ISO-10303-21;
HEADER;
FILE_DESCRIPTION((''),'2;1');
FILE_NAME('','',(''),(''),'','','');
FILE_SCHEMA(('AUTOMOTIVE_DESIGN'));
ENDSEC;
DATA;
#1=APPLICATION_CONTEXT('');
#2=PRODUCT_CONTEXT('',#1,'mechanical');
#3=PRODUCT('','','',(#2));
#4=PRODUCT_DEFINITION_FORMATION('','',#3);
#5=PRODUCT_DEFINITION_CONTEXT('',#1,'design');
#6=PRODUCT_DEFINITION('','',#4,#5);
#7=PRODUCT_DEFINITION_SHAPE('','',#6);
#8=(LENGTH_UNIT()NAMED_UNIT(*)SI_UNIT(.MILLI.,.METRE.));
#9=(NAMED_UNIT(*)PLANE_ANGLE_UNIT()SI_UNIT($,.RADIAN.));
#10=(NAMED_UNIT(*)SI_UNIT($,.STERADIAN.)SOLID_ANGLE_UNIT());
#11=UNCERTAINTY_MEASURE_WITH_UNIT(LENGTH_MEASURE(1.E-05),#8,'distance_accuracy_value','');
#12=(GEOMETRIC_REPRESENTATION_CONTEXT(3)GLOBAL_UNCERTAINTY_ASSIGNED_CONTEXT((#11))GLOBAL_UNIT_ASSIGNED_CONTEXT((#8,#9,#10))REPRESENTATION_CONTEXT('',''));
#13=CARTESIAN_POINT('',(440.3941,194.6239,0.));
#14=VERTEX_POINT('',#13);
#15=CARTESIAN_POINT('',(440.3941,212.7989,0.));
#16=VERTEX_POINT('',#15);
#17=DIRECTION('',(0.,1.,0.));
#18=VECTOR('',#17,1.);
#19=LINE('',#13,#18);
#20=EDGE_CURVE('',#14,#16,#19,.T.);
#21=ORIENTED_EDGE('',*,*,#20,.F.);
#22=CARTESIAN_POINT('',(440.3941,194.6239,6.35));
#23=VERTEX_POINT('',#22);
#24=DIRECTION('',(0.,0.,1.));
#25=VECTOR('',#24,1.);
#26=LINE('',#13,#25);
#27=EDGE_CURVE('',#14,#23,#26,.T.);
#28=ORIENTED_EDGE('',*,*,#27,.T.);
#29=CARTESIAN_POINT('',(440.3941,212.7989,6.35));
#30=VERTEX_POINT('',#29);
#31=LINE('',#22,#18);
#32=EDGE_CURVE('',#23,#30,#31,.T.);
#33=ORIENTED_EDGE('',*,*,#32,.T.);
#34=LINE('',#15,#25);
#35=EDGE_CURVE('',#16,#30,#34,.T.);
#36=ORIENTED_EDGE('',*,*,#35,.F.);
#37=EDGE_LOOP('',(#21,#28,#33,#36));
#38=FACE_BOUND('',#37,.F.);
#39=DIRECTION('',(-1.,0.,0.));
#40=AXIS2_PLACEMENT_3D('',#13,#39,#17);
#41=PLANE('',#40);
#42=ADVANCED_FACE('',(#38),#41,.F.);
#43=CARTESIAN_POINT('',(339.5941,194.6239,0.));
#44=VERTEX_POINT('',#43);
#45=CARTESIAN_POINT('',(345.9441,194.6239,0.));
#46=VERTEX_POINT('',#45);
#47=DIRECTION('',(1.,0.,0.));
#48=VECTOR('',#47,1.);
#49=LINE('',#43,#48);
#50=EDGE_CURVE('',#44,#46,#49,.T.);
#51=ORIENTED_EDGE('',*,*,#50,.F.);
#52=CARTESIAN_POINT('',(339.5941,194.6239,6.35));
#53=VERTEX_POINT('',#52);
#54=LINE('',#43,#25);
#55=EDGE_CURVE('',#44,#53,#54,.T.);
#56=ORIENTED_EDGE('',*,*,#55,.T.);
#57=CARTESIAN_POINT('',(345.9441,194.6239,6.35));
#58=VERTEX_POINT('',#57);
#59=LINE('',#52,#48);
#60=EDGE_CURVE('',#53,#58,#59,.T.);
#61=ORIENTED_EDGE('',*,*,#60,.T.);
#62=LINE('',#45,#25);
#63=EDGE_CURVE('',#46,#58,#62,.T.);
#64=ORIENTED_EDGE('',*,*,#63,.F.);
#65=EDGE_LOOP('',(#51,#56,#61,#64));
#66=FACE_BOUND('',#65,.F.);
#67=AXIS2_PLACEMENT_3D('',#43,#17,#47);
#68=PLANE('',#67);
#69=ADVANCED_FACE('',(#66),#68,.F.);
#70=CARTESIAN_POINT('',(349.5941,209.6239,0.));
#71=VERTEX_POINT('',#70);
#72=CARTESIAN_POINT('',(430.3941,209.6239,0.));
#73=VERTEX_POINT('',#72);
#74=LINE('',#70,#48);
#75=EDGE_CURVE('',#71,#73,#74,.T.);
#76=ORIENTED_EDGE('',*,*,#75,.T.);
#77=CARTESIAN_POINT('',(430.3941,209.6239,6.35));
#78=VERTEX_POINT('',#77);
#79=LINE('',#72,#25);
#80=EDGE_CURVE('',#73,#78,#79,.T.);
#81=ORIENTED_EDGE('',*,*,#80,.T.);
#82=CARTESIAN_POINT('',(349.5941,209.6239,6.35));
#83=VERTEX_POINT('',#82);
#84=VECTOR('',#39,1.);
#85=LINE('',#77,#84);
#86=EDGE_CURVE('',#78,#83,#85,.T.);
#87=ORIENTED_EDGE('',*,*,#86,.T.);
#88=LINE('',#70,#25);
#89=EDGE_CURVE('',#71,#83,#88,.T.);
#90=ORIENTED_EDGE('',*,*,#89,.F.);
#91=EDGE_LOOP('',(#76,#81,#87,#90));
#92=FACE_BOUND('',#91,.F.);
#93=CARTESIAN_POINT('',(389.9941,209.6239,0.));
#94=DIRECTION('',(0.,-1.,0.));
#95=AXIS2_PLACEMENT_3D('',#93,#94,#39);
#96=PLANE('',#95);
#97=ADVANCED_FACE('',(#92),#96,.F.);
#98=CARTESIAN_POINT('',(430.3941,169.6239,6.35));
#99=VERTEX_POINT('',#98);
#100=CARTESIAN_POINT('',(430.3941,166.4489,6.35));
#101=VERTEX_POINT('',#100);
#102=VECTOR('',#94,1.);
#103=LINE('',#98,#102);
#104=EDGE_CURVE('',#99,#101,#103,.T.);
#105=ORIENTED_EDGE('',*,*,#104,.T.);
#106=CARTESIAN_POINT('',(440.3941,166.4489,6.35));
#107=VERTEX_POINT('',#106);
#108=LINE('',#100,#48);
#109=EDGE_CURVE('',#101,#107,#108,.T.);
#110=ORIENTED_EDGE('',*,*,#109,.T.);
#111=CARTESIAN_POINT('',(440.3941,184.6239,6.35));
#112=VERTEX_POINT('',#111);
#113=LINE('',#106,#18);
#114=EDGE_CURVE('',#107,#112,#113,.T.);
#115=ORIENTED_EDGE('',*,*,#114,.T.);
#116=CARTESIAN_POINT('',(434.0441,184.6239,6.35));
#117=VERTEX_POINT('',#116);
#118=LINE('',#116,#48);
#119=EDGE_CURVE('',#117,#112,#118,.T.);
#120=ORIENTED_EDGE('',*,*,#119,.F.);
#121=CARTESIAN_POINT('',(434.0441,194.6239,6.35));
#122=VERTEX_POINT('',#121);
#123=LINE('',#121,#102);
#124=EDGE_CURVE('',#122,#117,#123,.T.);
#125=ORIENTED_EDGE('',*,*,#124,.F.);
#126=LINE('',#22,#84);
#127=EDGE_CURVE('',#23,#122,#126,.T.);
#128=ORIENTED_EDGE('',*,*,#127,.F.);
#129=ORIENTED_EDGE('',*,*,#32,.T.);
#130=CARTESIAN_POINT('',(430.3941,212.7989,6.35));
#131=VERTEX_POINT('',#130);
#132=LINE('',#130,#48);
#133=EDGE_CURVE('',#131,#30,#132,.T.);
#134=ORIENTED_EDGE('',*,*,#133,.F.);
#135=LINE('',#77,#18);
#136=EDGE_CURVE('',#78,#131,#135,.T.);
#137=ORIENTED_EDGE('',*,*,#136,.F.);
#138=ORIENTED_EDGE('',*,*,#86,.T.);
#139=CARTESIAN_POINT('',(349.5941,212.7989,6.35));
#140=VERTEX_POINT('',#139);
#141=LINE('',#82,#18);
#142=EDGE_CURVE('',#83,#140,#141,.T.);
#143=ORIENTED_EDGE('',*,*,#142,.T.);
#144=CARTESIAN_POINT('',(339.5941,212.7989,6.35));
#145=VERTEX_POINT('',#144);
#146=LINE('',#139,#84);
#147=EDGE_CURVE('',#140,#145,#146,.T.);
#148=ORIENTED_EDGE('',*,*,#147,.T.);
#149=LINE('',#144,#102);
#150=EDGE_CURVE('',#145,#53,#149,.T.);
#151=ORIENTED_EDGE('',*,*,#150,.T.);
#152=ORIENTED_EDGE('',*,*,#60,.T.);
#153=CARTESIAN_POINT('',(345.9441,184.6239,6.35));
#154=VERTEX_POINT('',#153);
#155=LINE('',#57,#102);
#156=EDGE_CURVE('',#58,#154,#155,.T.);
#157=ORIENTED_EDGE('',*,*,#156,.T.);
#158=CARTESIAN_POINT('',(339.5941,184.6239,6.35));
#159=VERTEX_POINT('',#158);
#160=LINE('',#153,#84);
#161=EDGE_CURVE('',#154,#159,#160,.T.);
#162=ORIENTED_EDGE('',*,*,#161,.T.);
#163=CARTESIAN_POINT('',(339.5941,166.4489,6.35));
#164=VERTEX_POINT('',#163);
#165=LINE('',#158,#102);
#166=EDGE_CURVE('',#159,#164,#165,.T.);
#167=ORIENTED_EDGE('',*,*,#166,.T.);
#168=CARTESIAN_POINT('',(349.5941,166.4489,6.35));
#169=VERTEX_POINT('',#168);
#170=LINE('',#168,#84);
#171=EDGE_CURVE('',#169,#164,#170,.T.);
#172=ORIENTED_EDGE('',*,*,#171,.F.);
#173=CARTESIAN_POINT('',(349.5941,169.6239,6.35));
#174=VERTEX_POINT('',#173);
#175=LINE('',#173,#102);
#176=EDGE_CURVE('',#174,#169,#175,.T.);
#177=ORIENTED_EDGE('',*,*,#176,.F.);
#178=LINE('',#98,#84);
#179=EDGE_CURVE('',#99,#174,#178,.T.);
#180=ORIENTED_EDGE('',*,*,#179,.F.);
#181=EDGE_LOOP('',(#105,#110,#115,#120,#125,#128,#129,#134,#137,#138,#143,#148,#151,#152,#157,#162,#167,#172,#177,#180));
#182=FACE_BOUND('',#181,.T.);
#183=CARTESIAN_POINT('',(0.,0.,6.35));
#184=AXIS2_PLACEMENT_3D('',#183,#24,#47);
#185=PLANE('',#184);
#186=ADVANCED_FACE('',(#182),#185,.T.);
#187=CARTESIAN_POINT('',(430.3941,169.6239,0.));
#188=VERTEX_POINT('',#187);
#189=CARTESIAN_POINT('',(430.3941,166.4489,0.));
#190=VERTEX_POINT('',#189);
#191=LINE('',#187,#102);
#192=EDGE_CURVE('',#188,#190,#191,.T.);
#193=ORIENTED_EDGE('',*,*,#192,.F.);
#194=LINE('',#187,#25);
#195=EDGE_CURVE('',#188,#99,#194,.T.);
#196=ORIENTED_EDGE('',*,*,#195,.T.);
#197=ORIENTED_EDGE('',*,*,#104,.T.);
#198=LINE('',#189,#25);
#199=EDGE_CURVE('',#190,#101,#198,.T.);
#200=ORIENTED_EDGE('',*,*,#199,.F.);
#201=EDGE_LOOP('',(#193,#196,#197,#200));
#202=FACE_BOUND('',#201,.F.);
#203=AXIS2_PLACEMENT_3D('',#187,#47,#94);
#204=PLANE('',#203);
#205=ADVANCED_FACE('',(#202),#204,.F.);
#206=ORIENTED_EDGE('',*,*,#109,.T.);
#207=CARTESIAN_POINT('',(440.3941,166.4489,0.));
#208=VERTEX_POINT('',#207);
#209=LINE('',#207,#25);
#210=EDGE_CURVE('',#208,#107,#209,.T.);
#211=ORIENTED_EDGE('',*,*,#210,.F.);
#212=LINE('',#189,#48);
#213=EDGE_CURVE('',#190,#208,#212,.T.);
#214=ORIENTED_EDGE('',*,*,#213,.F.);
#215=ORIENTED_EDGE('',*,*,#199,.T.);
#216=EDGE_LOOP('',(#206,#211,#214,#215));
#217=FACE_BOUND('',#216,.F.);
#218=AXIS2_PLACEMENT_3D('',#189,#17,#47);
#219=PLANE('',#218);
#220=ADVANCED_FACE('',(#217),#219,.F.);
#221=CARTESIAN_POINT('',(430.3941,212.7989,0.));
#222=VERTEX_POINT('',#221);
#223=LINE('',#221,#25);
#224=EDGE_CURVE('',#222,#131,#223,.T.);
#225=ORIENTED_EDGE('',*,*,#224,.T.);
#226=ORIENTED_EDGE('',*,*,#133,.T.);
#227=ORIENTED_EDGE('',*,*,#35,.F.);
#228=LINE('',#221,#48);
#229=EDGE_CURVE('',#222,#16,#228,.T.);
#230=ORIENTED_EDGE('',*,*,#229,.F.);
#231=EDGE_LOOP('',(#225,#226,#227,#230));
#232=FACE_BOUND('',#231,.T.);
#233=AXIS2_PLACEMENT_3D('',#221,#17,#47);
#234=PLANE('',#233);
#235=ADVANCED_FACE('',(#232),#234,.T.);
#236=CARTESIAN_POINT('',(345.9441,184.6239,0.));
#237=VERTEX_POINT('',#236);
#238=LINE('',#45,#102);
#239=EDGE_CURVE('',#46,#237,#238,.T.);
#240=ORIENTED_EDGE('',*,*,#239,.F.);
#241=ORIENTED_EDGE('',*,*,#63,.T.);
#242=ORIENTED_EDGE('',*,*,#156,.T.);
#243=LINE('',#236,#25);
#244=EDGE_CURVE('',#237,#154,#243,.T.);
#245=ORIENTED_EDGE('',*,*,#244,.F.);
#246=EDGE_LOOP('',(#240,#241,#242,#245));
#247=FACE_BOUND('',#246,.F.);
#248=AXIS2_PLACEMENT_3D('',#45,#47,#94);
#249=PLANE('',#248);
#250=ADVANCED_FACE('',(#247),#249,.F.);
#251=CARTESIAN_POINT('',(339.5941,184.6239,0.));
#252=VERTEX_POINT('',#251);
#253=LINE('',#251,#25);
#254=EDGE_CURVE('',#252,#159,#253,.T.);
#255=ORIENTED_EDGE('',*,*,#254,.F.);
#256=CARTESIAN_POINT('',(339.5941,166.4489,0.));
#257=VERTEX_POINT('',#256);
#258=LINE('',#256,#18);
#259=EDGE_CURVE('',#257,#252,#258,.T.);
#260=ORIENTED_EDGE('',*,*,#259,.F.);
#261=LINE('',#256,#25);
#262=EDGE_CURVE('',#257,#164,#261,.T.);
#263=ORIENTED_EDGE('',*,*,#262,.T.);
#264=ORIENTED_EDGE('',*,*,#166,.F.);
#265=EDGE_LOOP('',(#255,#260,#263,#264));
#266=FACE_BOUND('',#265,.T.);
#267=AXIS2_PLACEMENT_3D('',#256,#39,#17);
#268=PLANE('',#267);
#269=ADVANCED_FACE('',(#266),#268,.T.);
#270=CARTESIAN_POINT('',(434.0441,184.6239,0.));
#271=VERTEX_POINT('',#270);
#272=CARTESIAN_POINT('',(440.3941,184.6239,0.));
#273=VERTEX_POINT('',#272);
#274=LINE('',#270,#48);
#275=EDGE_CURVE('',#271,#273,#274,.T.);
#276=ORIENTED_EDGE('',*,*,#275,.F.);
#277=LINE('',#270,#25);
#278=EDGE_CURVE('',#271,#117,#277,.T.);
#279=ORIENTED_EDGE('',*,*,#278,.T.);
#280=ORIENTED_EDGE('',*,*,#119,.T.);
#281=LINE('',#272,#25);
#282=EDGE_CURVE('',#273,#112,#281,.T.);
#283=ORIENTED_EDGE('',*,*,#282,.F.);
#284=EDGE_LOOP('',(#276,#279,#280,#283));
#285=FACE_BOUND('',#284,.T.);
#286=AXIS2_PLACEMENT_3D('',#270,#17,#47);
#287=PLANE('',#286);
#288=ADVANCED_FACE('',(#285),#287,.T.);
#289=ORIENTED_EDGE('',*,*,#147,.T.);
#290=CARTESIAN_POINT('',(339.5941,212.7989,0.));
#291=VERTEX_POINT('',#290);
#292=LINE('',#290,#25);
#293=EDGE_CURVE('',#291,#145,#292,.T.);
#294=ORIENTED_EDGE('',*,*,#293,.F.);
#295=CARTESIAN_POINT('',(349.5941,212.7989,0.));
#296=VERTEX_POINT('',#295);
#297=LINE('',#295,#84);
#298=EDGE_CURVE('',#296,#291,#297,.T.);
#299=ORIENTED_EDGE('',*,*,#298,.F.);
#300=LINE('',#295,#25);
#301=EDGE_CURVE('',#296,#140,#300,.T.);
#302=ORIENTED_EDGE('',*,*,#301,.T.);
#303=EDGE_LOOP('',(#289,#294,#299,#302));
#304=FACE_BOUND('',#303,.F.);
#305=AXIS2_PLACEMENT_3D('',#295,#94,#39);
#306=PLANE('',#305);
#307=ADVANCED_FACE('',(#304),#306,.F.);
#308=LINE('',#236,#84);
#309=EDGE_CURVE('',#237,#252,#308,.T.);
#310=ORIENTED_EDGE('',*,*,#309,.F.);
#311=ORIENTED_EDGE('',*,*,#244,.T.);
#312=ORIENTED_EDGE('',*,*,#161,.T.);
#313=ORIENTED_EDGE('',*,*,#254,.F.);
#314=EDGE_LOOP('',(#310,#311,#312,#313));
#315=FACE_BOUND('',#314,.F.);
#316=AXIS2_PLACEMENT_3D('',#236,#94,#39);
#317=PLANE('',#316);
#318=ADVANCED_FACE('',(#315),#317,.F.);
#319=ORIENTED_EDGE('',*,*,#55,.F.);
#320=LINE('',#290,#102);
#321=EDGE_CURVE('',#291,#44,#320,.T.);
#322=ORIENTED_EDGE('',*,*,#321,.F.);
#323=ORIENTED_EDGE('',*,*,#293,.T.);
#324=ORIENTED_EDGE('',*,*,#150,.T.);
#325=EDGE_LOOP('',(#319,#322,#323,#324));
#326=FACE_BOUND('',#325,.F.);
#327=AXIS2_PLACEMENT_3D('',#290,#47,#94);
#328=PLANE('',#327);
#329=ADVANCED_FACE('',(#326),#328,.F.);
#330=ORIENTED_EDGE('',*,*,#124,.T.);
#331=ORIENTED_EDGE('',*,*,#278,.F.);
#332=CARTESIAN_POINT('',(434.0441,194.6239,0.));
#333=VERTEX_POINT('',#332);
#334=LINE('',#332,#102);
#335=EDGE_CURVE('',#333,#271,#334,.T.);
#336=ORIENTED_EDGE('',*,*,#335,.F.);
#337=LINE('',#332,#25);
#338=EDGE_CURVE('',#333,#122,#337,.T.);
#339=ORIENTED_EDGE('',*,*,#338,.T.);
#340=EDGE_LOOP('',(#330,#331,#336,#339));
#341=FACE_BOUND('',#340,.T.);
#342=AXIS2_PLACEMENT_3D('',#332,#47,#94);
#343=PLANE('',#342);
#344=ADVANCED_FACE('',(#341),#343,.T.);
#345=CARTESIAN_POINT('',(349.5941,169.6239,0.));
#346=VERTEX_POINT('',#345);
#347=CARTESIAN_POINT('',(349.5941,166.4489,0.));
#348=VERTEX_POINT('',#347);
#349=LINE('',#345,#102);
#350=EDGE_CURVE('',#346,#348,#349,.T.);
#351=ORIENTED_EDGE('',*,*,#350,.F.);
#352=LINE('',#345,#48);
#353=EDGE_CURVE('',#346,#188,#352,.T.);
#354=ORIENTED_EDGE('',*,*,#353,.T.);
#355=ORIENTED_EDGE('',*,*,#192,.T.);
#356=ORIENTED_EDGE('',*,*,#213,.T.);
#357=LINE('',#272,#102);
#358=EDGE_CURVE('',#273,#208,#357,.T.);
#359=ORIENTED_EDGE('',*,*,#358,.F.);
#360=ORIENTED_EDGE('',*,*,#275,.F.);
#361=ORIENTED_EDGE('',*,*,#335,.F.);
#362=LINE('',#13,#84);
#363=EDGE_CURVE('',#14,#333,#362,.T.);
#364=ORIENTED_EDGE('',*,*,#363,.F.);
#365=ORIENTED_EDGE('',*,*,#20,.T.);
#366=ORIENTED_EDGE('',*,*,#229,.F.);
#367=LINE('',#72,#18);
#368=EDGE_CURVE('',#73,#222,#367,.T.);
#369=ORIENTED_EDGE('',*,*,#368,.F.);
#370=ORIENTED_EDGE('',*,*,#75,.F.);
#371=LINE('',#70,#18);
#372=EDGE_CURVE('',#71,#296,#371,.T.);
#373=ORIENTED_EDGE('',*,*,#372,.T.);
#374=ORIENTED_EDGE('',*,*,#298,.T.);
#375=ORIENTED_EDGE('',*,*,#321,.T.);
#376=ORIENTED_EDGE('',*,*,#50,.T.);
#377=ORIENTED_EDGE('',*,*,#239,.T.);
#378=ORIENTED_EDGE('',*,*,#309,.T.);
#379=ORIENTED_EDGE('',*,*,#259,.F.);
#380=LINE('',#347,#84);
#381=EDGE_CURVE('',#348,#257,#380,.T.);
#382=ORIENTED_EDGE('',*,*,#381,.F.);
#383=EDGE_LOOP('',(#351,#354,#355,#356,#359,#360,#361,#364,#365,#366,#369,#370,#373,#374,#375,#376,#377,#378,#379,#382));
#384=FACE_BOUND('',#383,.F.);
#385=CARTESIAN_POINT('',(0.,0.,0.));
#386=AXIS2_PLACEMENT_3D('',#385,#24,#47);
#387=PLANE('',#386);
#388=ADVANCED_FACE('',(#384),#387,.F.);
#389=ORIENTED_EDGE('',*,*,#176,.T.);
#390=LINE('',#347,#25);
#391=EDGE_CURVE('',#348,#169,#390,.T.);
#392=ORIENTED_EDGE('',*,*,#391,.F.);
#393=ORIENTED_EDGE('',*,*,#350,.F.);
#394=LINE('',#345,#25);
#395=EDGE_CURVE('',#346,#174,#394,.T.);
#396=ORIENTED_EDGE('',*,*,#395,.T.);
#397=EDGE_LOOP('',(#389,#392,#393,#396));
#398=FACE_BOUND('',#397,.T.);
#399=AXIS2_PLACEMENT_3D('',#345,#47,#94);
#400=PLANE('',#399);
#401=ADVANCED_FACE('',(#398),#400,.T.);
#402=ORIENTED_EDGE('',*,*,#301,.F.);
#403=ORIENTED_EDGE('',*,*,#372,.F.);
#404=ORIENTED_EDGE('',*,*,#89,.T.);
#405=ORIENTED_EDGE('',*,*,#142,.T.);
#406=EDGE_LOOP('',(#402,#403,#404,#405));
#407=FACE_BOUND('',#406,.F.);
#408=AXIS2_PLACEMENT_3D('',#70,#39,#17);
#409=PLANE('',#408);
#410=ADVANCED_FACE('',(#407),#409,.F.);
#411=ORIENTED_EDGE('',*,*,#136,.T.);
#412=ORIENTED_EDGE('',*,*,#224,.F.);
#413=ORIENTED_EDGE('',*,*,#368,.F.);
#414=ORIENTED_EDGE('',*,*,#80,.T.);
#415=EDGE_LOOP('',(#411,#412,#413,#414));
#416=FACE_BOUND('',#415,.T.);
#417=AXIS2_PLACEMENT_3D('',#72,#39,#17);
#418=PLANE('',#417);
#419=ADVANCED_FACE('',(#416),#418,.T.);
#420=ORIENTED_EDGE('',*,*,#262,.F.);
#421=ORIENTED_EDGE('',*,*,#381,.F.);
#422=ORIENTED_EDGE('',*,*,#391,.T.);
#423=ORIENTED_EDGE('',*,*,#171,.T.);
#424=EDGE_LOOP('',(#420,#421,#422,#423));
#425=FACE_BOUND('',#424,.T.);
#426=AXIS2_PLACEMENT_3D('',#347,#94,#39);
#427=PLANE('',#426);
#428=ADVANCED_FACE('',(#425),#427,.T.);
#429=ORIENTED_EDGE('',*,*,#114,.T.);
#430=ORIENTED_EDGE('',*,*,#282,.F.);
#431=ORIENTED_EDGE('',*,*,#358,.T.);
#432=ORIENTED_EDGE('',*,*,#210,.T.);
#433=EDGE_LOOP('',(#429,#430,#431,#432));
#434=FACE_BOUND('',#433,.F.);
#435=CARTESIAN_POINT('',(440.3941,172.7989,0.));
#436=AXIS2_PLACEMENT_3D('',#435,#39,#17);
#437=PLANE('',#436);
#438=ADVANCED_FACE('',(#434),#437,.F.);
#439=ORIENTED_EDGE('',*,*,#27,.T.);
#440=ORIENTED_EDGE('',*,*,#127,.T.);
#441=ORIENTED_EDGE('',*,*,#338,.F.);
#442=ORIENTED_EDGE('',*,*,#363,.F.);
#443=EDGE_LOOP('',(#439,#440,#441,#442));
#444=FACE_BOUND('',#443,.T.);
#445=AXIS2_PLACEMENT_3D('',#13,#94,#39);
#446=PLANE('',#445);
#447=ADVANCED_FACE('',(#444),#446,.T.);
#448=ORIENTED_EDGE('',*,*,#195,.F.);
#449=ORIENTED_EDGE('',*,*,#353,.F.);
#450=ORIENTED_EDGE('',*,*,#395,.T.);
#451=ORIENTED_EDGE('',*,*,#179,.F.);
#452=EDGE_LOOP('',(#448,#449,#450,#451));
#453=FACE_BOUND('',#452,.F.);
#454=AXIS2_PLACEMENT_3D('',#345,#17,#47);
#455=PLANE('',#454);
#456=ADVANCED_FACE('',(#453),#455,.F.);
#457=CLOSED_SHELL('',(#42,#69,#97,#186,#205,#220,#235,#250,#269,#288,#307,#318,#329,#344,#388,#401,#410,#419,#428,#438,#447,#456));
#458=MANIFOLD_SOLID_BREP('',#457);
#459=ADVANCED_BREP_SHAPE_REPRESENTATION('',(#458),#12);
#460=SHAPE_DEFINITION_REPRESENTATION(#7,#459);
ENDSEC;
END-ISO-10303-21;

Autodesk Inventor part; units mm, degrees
ref_plane "YZ Plane" through (0, 0, 0) normal (1, 0, 0) x (0, 1, 0)
ref_plane "XZ Plane" through (0, 0, 0) normal (0, 1, 0) x (-1, 0, 0)
ref_plane "XY Plane" through (0, 0, 0) normal (0, 0, 1) x (1, 0, 0)
sketch "Sketch1" plane through (0, 0, 0) normal (0, 0, 1) x (1, 0, 0)
  line L0 (349.5941, 169.6239) -> (430.3941, 169.6239)
  line L1 (430.3941, 209.6239) -> (349.5941, 209.6239)
  line L2 (349.5941, 209.6239) -> (349.5941, 212.7989)
  line L3 (349.5941, 212.7989) -> (339.5941, 212.7989)
  line L4 (339.5941, 212.7989) -> (339.5941, 212.7989)
  line L5 (430.3941, 209.6239) -> (430.3941, 212.7989)
  line L6 (430.3941, 212.7989) -> (440.3941, 212.7989)
  line L7 (440.3941, 212.7989) -> (440.3941, 212.7989)
  line L8 (349.5941, 169.6239) -> (349.5941, 166.4489)
  line L9 (349.5941, 166.4489) -> (339.5941, 166.4489)
  line L10 (339.5941, 166.4489) -> (339.5941, 172.7989)
  line L11 (430.3941, 169.6239) -> (430.3941, 166.4489)
  line L12 (430.3941, 166.4489) -> (440.3941, 166.4489)
  line L13 (440.3941, 166.4489) -> (440.3941, 172.7989)
  line L14 (339.5941, 194.6239) -> (345.9441, 194.6239)
  line L15 (345.9441, 194.6239) -> (345.9441, 184.6239)
  line L16 (345.9441, 184.6239) -> (339.5941, 184.6239)
  line L17 (440.3941, 194.6239) -> (434.0441, 194.6239)
  line L18 (434.0441, 194.6239) -> (434.0441, 184.6239)
  line L19 (434.0441, 184.6239) -> (440.3941, 184.6239)
  line L20 (440.3941, 172.7989) -> (440.3941, 184.6239)
  line L21 (440.3941, 194.6239) -> (440.3941, 212.7989)
  line L22 (339.5941, 212.7989) -> (339.5941, 194.6239)
  line L23 (339.5941, 184.6239) -> (339.5941, 172.7989)
  line L24 (389.9941, 209.6239) -> (389.9941, 169.6239)
  point P0 (0, 0)
  point P1 (339.5941, 192.7989)
  point P2 (339.5941, 192.7989)
  point P3 (345.9441, 189.6239)
  point P4 (389.9941, 189.6239)
  point P5 (434.0441, 189.6239)
  dimension "d16" = 6.35
  dimension "d0" = 40
  dimension "d1" = 100.8
  dimension "d2" = 10
  dimension "d3" = 6.35
  dimension "d4" = 6.35
  dimension "d5" = 10
  dimension "d6" = 10
  dimension "d7" = 10
  dimension "d8" = 10
  dimension "d9" = 3.175
  dimension "d10" = 3.175
  dimension "d11" = 3.175
  dimension "d12" = 3.175
  dimension "d13" = 10
  dimension "d14" = 6.35
  dimension "d15" = 6.35
extrude "Extrusion1" add sketch "Sketch1" along normal blind 6.35
properties part number "boxFront"
